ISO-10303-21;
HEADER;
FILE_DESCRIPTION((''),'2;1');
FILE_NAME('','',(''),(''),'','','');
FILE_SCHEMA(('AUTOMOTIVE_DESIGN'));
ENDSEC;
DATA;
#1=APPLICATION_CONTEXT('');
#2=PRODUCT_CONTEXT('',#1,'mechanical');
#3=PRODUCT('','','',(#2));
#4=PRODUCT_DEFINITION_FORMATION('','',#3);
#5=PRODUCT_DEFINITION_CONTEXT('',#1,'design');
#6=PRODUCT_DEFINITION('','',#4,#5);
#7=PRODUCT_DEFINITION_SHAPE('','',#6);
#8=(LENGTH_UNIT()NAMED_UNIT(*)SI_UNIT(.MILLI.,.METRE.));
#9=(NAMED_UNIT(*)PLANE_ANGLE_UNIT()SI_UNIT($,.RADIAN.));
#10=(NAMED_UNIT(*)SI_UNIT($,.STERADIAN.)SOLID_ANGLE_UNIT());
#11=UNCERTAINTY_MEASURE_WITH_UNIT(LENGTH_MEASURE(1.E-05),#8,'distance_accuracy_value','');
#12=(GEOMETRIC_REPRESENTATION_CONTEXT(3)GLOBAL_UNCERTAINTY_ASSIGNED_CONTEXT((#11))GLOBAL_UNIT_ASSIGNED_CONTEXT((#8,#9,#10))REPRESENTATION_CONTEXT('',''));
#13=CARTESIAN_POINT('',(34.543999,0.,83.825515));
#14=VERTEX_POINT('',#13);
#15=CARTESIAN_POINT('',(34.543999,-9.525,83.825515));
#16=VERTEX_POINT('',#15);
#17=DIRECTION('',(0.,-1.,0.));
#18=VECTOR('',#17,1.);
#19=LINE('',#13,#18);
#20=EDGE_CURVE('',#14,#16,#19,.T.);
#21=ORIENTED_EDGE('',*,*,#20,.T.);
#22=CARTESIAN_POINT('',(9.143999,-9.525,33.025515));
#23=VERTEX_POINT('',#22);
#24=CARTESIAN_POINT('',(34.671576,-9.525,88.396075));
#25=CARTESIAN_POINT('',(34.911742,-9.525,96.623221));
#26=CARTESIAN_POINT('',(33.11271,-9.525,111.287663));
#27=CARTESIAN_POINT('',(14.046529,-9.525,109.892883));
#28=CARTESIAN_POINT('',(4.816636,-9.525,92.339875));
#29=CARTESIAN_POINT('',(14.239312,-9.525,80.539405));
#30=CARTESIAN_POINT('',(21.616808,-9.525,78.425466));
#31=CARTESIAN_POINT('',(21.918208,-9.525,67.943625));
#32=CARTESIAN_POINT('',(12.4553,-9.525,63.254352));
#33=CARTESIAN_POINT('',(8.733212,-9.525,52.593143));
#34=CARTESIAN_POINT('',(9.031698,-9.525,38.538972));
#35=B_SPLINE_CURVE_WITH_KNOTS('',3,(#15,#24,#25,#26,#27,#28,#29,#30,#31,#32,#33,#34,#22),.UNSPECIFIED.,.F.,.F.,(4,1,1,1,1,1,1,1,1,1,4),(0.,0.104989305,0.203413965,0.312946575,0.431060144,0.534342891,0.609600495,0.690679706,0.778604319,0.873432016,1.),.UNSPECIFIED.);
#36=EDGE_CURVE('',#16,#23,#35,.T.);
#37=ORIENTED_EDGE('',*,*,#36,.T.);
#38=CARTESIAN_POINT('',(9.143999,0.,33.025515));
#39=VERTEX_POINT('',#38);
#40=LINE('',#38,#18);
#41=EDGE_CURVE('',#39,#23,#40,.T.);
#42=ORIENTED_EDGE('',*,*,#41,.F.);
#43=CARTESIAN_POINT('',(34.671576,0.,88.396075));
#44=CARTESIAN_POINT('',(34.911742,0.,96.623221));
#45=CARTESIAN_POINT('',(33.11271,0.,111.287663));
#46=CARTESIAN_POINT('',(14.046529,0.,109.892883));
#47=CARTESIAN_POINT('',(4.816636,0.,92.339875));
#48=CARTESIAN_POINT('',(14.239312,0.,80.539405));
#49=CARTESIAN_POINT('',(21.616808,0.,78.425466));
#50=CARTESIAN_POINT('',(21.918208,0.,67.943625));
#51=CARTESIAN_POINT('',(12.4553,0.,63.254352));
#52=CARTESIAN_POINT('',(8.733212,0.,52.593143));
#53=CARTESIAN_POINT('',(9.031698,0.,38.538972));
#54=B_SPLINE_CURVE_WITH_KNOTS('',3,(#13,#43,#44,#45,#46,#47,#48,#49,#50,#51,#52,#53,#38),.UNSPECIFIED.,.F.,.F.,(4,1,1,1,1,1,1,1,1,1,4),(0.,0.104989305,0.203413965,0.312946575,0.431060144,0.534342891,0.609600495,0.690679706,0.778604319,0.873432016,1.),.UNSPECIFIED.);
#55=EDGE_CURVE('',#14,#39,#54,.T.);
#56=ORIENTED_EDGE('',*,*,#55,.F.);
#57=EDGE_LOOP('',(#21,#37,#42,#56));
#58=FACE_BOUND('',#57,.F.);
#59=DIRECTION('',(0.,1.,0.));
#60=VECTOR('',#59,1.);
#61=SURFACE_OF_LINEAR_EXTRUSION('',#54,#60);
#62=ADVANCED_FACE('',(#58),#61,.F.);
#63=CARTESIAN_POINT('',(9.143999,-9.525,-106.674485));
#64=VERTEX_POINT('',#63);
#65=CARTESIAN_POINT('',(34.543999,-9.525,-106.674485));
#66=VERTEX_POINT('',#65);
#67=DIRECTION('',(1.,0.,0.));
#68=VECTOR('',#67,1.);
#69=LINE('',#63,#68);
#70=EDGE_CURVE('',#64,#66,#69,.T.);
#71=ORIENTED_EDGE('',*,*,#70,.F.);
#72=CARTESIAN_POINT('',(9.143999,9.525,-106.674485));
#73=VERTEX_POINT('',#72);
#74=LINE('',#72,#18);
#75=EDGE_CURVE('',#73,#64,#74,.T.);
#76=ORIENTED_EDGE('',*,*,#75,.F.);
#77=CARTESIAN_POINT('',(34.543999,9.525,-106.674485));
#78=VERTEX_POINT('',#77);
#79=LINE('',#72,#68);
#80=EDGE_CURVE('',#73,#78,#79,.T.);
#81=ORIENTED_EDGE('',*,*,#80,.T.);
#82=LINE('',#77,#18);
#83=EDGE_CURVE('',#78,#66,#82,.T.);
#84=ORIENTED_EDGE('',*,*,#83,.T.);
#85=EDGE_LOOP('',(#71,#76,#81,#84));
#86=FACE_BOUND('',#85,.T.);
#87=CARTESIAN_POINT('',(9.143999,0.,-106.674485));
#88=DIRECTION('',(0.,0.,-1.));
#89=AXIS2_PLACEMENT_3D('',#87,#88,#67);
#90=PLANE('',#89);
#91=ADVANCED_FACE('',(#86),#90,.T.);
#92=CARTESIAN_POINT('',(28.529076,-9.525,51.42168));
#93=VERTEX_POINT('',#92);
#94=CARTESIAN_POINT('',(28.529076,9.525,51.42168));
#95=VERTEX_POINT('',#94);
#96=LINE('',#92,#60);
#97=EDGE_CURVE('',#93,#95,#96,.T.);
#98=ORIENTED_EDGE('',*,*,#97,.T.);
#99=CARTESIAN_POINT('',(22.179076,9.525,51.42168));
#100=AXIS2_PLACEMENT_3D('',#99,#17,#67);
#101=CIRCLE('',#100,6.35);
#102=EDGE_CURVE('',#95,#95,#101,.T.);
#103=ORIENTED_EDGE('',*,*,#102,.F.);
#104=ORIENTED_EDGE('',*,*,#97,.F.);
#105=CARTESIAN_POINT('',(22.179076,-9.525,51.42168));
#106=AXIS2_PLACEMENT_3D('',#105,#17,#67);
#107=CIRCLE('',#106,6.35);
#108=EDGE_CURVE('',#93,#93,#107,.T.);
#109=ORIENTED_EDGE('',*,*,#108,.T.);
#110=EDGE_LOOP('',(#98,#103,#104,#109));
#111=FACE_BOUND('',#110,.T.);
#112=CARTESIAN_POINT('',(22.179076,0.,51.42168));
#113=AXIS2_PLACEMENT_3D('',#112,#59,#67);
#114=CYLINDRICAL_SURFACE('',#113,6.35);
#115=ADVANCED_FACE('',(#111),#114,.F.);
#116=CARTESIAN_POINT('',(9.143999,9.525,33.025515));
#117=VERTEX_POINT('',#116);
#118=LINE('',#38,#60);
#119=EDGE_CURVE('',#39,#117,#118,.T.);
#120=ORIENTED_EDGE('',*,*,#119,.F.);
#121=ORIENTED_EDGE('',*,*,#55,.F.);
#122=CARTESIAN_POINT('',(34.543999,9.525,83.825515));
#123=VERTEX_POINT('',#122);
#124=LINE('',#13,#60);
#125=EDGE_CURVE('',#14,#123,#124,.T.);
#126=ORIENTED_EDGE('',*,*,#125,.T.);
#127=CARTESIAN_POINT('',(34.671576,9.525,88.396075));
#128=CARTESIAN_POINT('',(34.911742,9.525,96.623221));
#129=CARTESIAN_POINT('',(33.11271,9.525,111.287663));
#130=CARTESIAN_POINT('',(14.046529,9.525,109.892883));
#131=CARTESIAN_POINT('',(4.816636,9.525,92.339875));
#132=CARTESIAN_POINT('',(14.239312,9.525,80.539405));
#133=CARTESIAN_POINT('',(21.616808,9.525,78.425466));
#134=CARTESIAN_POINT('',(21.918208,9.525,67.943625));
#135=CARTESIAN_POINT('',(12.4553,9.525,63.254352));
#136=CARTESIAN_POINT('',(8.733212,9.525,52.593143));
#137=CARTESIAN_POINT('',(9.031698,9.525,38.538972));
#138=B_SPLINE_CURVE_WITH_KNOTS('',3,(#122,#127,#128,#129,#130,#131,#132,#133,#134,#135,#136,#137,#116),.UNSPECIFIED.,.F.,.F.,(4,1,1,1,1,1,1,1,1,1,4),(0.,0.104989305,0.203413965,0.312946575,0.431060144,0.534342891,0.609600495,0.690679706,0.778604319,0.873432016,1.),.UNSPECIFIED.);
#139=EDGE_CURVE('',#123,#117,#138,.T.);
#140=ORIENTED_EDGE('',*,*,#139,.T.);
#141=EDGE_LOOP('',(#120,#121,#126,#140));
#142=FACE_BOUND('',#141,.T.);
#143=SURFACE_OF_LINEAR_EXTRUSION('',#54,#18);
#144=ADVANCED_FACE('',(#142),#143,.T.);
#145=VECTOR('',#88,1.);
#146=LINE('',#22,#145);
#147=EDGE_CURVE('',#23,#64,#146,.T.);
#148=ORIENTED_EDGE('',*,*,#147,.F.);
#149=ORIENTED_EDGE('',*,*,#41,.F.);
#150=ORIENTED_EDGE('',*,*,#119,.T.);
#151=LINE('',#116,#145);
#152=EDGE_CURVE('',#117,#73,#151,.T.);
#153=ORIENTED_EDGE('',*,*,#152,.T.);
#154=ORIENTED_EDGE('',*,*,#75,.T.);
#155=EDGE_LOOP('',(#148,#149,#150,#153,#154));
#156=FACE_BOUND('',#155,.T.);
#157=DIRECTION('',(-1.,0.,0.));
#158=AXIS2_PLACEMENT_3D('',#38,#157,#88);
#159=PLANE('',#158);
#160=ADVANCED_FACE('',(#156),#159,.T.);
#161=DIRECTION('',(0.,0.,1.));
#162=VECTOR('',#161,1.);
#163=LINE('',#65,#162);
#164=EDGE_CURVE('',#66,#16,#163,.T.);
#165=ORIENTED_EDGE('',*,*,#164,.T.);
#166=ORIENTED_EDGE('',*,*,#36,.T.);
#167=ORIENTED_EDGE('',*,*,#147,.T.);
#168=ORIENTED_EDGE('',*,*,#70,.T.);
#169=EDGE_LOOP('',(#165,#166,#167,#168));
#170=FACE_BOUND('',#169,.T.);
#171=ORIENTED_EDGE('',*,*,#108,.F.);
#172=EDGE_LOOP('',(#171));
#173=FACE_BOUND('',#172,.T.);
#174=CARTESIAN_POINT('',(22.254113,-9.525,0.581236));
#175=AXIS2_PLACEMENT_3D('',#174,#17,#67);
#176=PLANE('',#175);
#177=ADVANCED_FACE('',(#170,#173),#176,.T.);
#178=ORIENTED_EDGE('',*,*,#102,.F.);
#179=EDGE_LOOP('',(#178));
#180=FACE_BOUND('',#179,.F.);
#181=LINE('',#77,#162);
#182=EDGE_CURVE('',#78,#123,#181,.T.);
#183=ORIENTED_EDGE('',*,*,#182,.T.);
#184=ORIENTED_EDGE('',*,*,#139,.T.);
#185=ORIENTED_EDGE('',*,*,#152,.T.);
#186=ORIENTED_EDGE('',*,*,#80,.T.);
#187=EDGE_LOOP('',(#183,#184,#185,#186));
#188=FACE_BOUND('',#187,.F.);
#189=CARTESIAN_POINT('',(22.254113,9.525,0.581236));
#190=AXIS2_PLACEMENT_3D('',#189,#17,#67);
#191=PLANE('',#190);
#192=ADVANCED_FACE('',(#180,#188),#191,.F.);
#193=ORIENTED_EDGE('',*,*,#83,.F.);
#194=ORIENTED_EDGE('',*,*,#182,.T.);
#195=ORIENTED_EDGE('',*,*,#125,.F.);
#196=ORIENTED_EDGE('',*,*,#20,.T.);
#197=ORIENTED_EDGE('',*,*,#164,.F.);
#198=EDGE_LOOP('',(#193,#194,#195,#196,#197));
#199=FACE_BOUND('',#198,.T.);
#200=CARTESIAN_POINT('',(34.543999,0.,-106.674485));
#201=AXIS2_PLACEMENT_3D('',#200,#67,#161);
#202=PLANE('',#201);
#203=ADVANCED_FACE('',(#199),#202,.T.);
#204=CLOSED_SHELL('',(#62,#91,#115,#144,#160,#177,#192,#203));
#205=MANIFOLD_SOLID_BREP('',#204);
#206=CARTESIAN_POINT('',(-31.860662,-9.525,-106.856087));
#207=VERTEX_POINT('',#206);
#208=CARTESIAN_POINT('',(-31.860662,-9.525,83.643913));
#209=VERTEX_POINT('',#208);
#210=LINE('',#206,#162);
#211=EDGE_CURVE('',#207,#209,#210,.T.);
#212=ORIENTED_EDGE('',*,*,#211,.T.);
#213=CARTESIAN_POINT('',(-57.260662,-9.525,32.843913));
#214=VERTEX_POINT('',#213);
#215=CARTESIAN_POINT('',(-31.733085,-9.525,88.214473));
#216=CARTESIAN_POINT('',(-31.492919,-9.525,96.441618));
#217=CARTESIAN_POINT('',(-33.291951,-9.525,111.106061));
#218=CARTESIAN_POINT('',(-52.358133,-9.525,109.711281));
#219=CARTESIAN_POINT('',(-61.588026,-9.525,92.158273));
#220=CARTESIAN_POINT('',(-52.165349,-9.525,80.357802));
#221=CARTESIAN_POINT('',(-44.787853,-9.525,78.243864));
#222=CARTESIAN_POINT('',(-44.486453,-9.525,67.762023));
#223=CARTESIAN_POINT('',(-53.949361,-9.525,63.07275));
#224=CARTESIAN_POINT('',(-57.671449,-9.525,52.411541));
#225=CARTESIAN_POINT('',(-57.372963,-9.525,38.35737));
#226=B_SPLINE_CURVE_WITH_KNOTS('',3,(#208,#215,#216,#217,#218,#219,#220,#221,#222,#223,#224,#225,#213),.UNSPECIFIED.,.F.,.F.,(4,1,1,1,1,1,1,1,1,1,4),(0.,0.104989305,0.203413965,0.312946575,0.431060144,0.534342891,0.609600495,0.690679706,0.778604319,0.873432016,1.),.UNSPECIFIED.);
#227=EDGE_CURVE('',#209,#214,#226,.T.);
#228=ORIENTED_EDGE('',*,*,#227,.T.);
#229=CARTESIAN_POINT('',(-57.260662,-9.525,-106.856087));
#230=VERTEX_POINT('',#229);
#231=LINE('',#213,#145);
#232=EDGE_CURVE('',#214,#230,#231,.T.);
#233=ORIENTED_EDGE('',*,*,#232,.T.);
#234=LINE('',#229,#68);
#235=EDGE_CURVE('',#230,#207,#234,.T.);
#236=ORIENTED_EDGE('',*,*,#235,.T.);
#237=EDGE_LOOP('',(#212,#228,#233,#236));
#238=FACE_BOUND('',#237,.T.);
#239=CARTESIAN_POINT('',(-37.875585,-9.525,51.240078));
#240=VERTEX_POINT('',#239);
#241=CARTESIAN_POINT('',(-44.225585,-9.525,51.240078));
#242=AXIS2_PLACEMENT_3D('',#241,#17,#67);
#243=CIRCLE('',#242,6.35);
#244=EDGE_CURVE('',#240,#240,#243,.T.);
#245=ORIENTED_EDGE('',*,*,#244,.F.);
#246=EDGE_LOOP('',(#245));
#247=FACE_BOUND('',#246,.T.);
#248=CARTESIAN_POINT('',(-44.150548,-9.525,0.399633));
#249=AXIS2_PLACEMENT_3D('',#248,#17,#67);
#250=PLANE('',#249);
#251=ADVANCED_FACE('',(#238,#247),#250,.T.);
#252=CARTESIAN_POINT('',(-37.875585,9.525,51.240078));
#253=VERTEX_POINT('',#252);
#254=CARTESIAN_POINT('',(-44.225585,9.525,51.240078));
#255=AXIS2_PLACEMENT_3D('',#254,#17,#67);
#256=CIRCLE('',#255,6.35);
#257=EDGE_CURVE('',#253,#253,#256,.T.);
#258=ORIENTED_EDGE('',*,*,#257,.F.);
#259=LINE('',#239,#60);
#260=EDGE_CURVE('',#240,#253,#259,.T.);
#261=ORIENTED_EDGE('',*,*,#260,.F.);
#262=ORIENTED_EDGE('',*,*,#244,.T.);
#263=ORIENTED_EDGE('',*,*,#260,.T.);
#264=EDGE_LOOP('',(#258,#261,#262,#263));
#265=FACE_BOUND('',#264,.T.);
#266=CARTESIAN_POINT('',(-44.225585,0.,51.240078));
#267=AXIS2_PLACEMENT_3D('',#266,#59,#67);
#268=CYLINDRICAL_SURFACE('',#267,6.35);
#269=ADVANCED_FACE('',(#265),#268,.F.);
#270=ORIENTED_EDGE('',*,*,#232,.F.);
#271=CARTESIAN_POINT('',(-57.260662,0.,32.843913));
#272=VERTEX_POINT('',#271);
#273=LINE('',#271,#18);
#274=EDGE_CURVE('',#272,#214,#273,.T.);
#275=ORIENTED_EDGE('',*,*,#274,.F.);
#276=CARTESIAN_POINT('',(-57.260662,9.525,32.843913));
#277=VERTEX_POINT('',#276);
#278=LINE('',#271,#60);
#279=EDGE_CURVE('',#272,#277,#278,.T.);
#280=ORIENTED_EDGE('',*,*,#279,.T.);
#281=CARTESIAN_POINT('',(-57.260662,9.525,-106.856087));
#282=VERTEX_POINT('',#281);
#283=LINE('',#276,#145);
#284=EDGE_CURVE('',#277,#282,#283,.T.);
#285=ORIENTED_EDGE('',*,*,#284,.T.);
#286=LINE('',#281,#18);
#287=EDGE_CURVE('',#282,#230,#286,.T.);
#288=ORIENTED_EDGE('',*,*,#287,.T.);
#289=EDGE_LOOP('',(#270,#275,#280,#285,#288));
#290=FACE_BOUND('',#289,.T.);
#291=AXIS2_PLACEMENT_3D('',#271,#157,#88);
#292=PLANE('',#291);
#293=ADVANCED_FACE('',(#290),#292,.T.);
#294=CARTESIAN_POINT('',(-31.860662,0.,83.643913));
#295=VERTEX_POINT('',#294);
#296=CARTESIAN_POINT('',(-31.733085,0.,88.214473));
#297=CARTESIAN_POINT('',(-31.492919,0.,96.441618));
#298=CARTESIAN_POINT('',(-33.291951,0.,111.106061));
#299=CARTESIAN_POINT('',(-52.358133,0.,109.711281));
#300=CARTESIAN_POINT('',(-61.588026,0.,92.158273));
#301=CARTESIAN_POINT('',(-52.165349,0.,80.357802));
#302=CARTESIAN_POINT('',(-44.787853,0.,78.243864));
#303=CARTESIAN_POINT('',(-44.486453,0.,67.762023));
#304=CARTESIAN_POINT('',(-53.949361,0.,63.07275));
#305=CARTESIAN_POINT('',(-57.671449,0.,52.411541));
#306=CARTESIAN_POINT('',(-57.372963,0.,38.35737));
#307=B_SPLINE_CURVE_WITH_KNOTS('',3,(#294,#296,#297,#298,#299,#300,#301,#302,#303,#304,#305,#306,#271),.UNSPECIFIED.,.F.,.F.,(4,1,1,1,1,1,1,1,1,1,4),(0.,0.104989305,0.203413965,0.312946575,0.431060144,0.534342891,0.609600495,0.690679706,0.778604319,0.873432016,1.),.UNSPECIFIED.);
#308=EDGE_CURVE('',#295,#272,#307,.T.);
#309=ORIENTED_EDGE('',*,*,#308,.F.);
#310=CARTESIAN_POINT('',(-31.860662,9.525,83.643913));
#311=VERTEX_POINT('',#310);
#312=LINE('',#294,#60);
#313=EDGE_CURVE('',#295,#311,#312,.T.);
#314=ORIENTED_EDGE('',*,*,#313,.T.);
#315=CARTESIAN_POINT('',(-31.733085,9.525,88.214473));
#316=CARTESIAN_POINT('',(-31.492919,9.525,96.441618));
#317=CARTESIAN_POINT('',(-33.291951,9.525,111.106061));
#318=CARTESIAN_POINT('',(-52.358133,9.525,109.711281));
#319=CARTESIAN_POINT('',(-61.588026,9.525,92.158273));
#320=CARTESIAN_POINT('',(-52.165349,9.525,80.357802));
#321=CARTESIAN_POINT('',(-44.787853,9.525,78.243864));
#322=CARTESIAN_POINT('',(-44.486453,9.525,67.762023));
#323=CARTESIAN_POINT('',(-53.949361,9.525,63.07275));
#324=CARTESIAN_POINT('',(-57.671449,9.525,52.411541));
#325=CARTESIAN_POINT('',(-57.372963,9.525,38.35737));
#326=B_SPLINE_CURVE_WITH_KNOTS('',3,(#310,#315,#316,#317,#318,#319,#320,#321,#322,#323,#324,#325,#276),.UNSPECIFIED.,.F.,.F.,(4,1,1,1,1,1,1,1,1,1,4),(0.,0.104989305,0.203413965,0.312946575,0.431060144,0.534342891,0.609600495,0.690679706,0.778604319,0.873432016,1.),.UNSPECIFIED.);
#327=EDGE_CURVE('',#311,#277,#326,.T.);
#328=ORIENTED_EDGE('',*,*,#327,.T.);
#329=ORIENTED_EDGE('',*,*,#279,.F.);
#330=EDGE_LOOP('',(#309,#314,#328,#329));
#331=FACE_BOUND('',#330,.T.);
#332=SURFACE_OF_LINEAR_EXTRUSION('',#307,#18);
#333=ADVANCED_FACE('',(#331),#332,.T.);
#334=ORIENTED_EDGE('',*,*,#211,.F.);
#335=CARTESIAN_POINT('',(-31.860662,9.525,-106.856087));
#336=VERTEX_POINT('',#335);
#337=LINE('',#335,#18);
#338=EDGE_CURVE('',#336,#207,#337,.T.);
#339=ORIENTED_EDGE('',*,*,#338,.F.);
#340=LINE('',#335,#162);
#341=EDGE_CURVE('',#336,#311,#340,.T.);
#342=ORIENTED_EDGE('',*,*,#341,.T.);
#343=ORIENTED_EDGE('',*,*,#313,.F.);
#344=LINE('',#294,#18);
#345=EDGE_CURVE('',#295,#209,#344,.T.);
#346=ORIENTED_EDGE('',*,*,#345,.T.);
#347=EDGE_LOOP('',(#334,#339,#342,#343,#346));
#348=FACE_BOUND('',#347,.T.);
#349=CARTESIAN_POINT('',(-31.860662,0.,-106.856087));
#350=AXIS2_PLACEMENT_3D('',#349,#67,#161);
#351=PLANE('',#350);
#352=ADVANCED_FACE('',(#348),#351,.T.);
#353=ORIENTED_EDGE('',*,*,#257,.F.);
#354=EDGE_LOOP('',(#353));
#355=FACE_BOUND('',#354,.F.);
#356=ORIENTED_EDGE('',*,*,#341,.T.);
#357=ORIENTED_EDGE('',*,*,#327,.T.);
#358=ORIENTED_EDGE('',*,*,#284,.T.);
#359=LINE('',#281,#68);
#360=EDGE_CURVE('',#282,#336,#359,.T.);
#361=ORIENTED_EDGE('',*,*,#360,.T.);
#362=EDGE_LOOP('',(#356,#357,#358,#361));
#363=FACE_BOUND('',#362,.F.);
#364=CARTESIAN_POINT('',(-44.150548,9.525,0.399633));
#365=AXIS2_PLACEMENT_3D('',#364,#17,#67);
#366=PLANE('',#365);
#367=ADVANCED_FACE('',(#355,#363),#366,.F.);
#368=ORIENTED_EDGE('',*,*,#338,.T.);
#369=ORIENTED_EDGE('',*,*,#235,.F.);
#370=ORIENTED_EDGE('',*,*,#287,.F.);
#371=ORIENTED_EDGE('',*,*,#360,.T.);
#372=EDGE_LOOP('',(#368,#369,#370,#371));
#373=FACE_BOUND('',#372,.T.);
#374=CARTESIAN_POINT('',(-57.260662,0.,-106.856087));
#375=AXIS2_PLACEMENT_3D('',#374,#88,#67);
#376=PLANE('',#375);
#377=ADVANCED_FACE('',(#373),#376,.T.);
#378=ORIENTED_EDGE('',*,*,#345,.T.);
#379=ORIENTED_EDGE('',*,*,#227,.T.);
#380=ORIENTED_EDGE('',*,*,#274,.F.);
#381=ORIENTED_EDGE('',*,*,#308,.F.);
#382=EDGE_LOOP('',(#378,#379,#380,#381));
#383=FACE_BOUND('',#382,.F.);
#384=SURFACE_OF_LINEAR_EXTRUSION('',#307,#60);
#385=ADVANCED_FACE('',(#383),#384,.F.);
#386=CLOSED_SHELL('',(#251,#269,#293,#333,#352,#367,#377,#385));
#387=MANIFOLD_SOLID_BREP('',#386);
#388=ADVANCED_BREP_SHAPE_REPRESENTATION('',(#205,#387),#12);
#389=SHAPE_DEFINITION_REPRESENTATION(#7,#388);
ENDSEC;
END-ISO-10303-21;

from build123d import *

# Parameters (mm, degrees)
F0_R     = 6.35
F1_DEPTH = 9.525


with BuildPart() as f1:
    # F0 (on Front) → F1 (new body, symmetric)
    with BuildSketch(Plane.XZ):
        with BuildLine():
            Line((-57.2606623173, 32.8439128697), (-57.2606623173, -106.8560871303))
            Line((-57.2606623173, -106.8560871303), (-31.8606623173, -106.8560871303))
            Line((-31.8606623173, -106.8560871303), (-31.8606623173, 83.6439128697))
            add(Edge.make_bspline(
                [(-31.8606623173, 83.6439128697), (-31.7330850722, 88.2144729707), (-31.4929194438, 96.4416184812), (-33.2919511484, 111.1060607238), (-52.3581325993, 109.7112812035), (-61.5880256163, 92.1582729218), (-52.1653493945, 80.3578024752), (-44.7878529095, 78.2438639719), (-44.4864529424, 67.7620229395), (-53.9493609724, 63.0727502615), (-57.6714489064, 52.4115408462), (-57.3729632893, 38.3573699623), (-57.2606623173, 32.8439128697)],
                knots=[0, 0, 0, 0, 0.1049893048, 0.2034139651, 0.312946575, 0.431060144, 0.5343428911, 0.6096004951, 0.6906797065, 0.7786043191, 0.8734320164, 1, 1, 1, 1], degree=3))
        make_face()
        with Locations((-44.2255852953, 51.2400777547)):
            Circle(F0_R, mode=Mode.SUBTRACT)
    extrude(amount=F1_DEPTH, both=True)


with BuildPart() as f1b:
    # F0 (on Front) → F1, piece 2 (new body, symmetric)
    with BuildSketch(Plane.XZ):
        with BuildLine():
            Line((9.1439988464, 33.0255150914), (9.1439988464, -106.6744849086))
            Line((9.1439988464, -106.6744849086), (34.5439988464, -106.6744849086))
            Line((34.5439988464, -106.6744849086), (34.5439988464, 83.8255150914))
            add(Edge.make_bspline(
                [(34.5439988464, 83.8255150914), (34.6715760914, 88.3960751924), (34.9117417199, 96.6232207029), (33.1127100153, 111.2876629455), (14.0465285644, 109.8928834253), (4.8166355474, 92.3398751436), (14.2393117691, 80.5394046969), (21.6168082542, 78.4254661936), (21.9182082213, 67.9436251612), (12.4553001913, 63.2543524832), (8.7332122573, 52.5931430679), (9.0316978744, 38.538972184), (9.1439988464, 33.0255150914)],
                knots=[0, 0, 0, 0, 0.1049893048, 0.2034139651, 0.312946575, 0.431060144, 0.5343428911, 0.6096004951, 0.6906797065, 0.7786043191, 0.8734320164, 1, 1, 1, 1], degree=3))
        make_face()
        with Locations((22.1790758684, 51.4216799764)):
            Circle(F0_R, mode=Mode.SUBTRACT)
    extrude(amount=F1_DEPTH, both=True)


solid = Compound([f1.part, f1b.part])
